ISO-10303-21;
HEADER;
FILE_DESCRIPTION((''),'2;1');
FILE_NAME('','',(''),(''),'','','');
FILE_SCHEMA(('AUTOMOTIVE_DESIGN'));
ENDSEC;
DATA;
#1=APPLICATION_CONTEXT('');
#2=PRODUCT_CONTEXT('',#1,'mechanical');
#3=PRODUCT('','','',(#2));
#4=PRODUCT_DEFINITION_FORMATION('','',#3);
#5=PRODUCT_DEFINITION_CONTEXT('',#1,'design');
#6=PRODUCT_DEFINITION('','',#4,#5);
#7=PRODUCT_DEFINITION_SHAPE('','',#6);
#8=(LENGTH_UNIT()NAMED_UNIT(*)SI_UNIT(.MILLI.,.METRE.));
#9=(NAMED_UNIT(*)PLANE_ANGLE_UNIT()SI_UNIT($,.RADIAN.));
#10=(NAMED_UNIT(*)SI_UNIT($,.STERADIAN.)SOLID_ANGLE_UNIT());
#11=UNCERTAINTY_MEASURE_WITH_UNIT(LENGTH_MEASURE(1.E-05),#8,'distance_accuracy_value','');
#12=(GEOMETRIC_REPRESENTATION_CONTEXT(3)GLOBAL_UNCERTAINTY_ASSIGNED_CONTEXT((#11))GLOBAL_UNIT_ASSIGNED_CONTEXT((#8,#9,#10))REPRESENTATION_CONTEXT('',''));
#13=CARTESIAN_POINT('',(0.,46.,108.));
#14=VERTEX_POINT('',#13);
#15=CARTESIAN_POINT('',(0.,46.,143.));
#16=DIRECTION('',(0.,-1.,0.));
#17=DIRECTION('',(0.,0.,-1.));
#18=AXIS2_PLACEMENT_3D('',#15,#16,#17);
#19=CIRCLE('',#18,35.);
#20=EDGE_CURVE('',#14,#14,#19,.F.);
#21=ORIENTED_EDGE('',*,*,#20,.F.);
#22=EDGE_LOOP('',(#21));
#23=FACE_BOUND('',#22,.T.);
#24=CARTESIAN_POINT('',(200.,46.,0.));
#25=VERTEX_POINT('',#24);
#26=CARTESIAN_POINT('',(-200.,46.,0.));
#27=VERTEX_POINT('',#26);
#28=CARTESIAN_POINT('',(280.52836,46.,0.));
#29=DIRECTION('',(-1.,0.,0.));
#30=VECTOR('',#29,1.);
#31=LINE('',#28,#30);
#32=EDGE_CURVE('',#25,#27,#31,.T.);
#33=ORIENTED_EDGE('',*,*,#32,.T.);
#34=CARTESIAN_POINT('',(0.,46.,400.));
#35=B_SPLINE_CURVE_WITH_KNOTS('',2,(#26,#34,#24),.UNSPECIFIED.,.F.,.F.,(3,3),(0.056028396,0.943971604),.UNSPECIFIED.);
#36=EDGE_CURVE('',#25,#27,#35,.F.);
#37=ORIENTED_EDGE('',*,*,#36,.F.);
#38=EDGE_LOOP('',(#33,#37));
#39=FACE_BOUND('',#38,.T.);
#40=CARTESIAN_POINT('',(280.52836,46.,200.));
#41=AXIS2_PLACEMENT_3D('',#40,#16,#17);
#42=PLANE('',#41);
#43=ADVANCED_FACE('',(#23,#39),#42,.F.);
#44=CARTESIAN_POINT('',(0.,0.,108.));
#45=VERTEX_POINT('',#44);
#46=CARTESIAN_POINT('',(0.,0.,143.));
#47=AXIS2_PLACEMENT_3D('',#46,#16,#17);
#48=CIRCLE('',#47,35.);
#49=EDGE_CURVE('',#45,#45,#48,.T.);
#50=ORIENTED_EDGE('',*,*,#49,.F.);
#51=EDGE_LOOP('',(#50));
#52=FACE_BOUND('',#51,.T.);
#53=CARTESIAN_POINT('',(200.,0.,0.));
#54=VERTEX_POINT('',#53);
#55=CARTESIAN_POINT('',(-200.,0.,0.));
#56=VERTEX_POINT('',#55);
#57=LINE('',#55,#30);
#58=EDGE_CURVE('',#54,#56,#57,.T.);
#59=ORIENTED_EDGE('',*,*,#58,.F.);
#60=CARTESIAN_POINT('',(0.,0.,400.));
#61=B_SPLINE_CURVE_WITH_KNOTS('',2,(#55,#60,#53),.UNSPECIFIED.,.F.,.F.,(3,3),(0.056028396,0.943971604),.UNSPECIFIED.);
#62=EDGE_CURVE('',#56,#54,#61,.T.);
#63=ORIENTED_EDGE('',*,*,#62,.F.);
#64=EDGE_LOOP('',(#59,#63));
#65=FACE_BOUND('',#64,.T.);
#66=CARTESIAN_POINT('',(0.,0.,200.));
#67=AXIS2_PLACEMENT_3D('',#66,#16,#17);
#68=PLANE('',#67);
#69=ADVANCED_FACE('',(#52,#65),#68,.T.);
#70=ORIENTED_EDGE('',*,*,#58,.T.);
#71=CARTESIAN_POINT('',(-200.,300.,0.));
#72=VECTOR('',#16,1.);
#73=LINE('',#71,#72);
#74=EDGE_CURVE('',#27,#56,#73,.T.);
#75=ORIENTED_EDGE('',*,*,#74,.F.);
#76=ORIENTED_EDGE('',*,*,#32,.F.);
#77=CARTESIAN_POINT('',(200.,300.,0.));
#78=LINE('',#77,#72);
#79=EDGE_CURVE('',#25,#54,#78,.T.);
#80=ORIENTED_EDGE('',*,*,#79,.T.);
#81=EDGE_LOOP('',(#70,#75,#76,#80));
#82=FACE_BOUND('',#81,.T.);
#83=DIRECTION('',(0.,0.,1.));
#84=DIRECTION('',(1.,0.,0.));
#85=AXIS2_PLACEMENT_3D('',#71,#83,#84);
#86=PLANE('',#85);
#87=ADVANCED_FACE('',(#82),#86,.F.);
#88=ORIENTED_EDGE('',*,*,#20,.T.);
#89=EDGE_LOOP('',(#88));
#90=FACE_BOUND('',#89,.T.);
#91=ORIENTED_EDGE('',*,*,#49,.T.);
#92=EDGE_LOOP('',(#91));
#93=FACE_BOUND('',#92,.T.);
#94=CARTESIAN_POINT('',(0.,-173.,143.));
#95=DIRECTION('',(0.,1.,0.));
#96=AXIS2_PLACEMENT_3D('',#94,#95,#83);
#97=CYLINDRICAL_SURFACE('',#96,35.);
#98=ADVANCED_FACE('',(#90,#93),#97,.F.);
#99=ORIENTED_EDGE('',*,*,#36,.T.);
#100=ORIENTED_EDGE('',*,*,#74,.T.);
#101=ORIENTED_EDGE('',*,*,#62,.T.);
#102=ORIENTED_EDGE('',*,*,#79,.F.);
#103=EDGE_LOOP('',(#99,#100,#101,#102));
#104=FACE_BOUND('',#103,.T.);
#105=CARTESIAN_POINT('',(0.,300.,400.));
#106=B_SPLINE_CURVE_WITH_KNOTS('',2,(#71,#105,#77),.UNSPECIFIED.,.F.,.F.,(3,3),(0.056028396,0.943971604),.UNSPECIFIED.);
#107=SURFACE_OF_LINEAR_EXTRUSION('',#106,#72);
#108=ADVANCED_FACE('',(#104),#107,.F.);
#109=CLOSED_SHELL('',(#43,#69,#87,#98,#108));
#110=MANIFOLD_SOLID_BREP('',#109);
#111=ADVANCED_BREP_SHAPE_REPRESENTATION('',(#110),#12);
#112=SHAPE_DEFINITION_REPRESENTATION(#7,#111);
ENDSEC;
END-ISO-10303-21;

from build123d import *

# Parameters (mm, degrees)
BOSS_EXTRUDE1_DEPTH     = 300
SKETCH3_R               = 15.5
CUT_EXTRUDE1_DEPTH      = 23
CUT_EXTRUDE1_DEPTH_BACK = 23
SKETCH4_R               = 35
CUT_EXTRUDE3_DEPTH      = 300
SKETCH5_W               = 550.332786852
SKETCH5_H               = 261.274024582
CUT_EXTRUDE4_DEPTH      = 201.0000001


with BuildPart() as part:
    # Sketch1 → Boss-Extrude1 (new body)
    with BuildSketch(Plane(origin=(0, 0, 0), x_dir=(1, 0, 0), z_dir=(0, 1, 0))):
        with BuildLine():
            Line((-200, 1e-09), (200, 1e-09))
            add(Edge.make_bspline(
                [(-200, 1e-09), (0, -400.000000001), (200, 1e-09)],
                knots=[0.056028396, 0.056028396, 0.056028396, 0.943971604, 0.943971604, 0.943971604], degree=2))
        make_face()
    extrude(amount=BOSS_EXTRUDE1_DEPTH)

    # Sketch3 → Cut-Extrude1 (cut, two sides)
    with BuildSketch(Plane(origin=(0, 150, 0), x_dir=(1, 0, 0), z_dir=(0, 1, 0))) as cut_extrude1_sk:
        with Locations((0, -142.999999999)):
            Circle(SKETCH3_R)
    extrude(amount=CUT_EXTRUDE1_DEPTH, mode=Mode.SUBTRACT)
    extrude(cut_extrude1_sk.sketch, amount=-CUT_EXTRUDE1_DEPTH_BACK, mode=Mode.SUBTRACT)

    # Sketch4 → Cut-Extrude3 (cut)
    with BuildSketch(Plane(origin=(0, 173, 0), x_dir=(1, 0, 0), z_dir=(0, 1, 0))):
        with Locations((0, -142.999999999)):
            Circle(SKETCH4_R)
    cut_extrude3 = extrude(amount=CUT_EXTRUDE3_DEPTH, mode=Mode.SUBTRACT)

    # Mirror1: Cut-Extrude3 across plane
    add(cut_extrude3.mirror(Plane.ZX.offset(150)), mode=Mode.SUBTRACT)

    # Sketch5 → Cut-Extrude4 (cut, through all)
    with BuildSketch(Plane(origin=(0, 0, 0), x_dir=(-1, 0, 0), z_dir=(0, 0, -1))):
        with Locations((-5.361966922, 176.637012291)):
            Rectangle(SKETCH5_W, SKETCH5_H)
    extrude(amount=-CUT_EXTRUDE4_DEPTH, mode=Mode.SUBTRACT)


solid = part.part
